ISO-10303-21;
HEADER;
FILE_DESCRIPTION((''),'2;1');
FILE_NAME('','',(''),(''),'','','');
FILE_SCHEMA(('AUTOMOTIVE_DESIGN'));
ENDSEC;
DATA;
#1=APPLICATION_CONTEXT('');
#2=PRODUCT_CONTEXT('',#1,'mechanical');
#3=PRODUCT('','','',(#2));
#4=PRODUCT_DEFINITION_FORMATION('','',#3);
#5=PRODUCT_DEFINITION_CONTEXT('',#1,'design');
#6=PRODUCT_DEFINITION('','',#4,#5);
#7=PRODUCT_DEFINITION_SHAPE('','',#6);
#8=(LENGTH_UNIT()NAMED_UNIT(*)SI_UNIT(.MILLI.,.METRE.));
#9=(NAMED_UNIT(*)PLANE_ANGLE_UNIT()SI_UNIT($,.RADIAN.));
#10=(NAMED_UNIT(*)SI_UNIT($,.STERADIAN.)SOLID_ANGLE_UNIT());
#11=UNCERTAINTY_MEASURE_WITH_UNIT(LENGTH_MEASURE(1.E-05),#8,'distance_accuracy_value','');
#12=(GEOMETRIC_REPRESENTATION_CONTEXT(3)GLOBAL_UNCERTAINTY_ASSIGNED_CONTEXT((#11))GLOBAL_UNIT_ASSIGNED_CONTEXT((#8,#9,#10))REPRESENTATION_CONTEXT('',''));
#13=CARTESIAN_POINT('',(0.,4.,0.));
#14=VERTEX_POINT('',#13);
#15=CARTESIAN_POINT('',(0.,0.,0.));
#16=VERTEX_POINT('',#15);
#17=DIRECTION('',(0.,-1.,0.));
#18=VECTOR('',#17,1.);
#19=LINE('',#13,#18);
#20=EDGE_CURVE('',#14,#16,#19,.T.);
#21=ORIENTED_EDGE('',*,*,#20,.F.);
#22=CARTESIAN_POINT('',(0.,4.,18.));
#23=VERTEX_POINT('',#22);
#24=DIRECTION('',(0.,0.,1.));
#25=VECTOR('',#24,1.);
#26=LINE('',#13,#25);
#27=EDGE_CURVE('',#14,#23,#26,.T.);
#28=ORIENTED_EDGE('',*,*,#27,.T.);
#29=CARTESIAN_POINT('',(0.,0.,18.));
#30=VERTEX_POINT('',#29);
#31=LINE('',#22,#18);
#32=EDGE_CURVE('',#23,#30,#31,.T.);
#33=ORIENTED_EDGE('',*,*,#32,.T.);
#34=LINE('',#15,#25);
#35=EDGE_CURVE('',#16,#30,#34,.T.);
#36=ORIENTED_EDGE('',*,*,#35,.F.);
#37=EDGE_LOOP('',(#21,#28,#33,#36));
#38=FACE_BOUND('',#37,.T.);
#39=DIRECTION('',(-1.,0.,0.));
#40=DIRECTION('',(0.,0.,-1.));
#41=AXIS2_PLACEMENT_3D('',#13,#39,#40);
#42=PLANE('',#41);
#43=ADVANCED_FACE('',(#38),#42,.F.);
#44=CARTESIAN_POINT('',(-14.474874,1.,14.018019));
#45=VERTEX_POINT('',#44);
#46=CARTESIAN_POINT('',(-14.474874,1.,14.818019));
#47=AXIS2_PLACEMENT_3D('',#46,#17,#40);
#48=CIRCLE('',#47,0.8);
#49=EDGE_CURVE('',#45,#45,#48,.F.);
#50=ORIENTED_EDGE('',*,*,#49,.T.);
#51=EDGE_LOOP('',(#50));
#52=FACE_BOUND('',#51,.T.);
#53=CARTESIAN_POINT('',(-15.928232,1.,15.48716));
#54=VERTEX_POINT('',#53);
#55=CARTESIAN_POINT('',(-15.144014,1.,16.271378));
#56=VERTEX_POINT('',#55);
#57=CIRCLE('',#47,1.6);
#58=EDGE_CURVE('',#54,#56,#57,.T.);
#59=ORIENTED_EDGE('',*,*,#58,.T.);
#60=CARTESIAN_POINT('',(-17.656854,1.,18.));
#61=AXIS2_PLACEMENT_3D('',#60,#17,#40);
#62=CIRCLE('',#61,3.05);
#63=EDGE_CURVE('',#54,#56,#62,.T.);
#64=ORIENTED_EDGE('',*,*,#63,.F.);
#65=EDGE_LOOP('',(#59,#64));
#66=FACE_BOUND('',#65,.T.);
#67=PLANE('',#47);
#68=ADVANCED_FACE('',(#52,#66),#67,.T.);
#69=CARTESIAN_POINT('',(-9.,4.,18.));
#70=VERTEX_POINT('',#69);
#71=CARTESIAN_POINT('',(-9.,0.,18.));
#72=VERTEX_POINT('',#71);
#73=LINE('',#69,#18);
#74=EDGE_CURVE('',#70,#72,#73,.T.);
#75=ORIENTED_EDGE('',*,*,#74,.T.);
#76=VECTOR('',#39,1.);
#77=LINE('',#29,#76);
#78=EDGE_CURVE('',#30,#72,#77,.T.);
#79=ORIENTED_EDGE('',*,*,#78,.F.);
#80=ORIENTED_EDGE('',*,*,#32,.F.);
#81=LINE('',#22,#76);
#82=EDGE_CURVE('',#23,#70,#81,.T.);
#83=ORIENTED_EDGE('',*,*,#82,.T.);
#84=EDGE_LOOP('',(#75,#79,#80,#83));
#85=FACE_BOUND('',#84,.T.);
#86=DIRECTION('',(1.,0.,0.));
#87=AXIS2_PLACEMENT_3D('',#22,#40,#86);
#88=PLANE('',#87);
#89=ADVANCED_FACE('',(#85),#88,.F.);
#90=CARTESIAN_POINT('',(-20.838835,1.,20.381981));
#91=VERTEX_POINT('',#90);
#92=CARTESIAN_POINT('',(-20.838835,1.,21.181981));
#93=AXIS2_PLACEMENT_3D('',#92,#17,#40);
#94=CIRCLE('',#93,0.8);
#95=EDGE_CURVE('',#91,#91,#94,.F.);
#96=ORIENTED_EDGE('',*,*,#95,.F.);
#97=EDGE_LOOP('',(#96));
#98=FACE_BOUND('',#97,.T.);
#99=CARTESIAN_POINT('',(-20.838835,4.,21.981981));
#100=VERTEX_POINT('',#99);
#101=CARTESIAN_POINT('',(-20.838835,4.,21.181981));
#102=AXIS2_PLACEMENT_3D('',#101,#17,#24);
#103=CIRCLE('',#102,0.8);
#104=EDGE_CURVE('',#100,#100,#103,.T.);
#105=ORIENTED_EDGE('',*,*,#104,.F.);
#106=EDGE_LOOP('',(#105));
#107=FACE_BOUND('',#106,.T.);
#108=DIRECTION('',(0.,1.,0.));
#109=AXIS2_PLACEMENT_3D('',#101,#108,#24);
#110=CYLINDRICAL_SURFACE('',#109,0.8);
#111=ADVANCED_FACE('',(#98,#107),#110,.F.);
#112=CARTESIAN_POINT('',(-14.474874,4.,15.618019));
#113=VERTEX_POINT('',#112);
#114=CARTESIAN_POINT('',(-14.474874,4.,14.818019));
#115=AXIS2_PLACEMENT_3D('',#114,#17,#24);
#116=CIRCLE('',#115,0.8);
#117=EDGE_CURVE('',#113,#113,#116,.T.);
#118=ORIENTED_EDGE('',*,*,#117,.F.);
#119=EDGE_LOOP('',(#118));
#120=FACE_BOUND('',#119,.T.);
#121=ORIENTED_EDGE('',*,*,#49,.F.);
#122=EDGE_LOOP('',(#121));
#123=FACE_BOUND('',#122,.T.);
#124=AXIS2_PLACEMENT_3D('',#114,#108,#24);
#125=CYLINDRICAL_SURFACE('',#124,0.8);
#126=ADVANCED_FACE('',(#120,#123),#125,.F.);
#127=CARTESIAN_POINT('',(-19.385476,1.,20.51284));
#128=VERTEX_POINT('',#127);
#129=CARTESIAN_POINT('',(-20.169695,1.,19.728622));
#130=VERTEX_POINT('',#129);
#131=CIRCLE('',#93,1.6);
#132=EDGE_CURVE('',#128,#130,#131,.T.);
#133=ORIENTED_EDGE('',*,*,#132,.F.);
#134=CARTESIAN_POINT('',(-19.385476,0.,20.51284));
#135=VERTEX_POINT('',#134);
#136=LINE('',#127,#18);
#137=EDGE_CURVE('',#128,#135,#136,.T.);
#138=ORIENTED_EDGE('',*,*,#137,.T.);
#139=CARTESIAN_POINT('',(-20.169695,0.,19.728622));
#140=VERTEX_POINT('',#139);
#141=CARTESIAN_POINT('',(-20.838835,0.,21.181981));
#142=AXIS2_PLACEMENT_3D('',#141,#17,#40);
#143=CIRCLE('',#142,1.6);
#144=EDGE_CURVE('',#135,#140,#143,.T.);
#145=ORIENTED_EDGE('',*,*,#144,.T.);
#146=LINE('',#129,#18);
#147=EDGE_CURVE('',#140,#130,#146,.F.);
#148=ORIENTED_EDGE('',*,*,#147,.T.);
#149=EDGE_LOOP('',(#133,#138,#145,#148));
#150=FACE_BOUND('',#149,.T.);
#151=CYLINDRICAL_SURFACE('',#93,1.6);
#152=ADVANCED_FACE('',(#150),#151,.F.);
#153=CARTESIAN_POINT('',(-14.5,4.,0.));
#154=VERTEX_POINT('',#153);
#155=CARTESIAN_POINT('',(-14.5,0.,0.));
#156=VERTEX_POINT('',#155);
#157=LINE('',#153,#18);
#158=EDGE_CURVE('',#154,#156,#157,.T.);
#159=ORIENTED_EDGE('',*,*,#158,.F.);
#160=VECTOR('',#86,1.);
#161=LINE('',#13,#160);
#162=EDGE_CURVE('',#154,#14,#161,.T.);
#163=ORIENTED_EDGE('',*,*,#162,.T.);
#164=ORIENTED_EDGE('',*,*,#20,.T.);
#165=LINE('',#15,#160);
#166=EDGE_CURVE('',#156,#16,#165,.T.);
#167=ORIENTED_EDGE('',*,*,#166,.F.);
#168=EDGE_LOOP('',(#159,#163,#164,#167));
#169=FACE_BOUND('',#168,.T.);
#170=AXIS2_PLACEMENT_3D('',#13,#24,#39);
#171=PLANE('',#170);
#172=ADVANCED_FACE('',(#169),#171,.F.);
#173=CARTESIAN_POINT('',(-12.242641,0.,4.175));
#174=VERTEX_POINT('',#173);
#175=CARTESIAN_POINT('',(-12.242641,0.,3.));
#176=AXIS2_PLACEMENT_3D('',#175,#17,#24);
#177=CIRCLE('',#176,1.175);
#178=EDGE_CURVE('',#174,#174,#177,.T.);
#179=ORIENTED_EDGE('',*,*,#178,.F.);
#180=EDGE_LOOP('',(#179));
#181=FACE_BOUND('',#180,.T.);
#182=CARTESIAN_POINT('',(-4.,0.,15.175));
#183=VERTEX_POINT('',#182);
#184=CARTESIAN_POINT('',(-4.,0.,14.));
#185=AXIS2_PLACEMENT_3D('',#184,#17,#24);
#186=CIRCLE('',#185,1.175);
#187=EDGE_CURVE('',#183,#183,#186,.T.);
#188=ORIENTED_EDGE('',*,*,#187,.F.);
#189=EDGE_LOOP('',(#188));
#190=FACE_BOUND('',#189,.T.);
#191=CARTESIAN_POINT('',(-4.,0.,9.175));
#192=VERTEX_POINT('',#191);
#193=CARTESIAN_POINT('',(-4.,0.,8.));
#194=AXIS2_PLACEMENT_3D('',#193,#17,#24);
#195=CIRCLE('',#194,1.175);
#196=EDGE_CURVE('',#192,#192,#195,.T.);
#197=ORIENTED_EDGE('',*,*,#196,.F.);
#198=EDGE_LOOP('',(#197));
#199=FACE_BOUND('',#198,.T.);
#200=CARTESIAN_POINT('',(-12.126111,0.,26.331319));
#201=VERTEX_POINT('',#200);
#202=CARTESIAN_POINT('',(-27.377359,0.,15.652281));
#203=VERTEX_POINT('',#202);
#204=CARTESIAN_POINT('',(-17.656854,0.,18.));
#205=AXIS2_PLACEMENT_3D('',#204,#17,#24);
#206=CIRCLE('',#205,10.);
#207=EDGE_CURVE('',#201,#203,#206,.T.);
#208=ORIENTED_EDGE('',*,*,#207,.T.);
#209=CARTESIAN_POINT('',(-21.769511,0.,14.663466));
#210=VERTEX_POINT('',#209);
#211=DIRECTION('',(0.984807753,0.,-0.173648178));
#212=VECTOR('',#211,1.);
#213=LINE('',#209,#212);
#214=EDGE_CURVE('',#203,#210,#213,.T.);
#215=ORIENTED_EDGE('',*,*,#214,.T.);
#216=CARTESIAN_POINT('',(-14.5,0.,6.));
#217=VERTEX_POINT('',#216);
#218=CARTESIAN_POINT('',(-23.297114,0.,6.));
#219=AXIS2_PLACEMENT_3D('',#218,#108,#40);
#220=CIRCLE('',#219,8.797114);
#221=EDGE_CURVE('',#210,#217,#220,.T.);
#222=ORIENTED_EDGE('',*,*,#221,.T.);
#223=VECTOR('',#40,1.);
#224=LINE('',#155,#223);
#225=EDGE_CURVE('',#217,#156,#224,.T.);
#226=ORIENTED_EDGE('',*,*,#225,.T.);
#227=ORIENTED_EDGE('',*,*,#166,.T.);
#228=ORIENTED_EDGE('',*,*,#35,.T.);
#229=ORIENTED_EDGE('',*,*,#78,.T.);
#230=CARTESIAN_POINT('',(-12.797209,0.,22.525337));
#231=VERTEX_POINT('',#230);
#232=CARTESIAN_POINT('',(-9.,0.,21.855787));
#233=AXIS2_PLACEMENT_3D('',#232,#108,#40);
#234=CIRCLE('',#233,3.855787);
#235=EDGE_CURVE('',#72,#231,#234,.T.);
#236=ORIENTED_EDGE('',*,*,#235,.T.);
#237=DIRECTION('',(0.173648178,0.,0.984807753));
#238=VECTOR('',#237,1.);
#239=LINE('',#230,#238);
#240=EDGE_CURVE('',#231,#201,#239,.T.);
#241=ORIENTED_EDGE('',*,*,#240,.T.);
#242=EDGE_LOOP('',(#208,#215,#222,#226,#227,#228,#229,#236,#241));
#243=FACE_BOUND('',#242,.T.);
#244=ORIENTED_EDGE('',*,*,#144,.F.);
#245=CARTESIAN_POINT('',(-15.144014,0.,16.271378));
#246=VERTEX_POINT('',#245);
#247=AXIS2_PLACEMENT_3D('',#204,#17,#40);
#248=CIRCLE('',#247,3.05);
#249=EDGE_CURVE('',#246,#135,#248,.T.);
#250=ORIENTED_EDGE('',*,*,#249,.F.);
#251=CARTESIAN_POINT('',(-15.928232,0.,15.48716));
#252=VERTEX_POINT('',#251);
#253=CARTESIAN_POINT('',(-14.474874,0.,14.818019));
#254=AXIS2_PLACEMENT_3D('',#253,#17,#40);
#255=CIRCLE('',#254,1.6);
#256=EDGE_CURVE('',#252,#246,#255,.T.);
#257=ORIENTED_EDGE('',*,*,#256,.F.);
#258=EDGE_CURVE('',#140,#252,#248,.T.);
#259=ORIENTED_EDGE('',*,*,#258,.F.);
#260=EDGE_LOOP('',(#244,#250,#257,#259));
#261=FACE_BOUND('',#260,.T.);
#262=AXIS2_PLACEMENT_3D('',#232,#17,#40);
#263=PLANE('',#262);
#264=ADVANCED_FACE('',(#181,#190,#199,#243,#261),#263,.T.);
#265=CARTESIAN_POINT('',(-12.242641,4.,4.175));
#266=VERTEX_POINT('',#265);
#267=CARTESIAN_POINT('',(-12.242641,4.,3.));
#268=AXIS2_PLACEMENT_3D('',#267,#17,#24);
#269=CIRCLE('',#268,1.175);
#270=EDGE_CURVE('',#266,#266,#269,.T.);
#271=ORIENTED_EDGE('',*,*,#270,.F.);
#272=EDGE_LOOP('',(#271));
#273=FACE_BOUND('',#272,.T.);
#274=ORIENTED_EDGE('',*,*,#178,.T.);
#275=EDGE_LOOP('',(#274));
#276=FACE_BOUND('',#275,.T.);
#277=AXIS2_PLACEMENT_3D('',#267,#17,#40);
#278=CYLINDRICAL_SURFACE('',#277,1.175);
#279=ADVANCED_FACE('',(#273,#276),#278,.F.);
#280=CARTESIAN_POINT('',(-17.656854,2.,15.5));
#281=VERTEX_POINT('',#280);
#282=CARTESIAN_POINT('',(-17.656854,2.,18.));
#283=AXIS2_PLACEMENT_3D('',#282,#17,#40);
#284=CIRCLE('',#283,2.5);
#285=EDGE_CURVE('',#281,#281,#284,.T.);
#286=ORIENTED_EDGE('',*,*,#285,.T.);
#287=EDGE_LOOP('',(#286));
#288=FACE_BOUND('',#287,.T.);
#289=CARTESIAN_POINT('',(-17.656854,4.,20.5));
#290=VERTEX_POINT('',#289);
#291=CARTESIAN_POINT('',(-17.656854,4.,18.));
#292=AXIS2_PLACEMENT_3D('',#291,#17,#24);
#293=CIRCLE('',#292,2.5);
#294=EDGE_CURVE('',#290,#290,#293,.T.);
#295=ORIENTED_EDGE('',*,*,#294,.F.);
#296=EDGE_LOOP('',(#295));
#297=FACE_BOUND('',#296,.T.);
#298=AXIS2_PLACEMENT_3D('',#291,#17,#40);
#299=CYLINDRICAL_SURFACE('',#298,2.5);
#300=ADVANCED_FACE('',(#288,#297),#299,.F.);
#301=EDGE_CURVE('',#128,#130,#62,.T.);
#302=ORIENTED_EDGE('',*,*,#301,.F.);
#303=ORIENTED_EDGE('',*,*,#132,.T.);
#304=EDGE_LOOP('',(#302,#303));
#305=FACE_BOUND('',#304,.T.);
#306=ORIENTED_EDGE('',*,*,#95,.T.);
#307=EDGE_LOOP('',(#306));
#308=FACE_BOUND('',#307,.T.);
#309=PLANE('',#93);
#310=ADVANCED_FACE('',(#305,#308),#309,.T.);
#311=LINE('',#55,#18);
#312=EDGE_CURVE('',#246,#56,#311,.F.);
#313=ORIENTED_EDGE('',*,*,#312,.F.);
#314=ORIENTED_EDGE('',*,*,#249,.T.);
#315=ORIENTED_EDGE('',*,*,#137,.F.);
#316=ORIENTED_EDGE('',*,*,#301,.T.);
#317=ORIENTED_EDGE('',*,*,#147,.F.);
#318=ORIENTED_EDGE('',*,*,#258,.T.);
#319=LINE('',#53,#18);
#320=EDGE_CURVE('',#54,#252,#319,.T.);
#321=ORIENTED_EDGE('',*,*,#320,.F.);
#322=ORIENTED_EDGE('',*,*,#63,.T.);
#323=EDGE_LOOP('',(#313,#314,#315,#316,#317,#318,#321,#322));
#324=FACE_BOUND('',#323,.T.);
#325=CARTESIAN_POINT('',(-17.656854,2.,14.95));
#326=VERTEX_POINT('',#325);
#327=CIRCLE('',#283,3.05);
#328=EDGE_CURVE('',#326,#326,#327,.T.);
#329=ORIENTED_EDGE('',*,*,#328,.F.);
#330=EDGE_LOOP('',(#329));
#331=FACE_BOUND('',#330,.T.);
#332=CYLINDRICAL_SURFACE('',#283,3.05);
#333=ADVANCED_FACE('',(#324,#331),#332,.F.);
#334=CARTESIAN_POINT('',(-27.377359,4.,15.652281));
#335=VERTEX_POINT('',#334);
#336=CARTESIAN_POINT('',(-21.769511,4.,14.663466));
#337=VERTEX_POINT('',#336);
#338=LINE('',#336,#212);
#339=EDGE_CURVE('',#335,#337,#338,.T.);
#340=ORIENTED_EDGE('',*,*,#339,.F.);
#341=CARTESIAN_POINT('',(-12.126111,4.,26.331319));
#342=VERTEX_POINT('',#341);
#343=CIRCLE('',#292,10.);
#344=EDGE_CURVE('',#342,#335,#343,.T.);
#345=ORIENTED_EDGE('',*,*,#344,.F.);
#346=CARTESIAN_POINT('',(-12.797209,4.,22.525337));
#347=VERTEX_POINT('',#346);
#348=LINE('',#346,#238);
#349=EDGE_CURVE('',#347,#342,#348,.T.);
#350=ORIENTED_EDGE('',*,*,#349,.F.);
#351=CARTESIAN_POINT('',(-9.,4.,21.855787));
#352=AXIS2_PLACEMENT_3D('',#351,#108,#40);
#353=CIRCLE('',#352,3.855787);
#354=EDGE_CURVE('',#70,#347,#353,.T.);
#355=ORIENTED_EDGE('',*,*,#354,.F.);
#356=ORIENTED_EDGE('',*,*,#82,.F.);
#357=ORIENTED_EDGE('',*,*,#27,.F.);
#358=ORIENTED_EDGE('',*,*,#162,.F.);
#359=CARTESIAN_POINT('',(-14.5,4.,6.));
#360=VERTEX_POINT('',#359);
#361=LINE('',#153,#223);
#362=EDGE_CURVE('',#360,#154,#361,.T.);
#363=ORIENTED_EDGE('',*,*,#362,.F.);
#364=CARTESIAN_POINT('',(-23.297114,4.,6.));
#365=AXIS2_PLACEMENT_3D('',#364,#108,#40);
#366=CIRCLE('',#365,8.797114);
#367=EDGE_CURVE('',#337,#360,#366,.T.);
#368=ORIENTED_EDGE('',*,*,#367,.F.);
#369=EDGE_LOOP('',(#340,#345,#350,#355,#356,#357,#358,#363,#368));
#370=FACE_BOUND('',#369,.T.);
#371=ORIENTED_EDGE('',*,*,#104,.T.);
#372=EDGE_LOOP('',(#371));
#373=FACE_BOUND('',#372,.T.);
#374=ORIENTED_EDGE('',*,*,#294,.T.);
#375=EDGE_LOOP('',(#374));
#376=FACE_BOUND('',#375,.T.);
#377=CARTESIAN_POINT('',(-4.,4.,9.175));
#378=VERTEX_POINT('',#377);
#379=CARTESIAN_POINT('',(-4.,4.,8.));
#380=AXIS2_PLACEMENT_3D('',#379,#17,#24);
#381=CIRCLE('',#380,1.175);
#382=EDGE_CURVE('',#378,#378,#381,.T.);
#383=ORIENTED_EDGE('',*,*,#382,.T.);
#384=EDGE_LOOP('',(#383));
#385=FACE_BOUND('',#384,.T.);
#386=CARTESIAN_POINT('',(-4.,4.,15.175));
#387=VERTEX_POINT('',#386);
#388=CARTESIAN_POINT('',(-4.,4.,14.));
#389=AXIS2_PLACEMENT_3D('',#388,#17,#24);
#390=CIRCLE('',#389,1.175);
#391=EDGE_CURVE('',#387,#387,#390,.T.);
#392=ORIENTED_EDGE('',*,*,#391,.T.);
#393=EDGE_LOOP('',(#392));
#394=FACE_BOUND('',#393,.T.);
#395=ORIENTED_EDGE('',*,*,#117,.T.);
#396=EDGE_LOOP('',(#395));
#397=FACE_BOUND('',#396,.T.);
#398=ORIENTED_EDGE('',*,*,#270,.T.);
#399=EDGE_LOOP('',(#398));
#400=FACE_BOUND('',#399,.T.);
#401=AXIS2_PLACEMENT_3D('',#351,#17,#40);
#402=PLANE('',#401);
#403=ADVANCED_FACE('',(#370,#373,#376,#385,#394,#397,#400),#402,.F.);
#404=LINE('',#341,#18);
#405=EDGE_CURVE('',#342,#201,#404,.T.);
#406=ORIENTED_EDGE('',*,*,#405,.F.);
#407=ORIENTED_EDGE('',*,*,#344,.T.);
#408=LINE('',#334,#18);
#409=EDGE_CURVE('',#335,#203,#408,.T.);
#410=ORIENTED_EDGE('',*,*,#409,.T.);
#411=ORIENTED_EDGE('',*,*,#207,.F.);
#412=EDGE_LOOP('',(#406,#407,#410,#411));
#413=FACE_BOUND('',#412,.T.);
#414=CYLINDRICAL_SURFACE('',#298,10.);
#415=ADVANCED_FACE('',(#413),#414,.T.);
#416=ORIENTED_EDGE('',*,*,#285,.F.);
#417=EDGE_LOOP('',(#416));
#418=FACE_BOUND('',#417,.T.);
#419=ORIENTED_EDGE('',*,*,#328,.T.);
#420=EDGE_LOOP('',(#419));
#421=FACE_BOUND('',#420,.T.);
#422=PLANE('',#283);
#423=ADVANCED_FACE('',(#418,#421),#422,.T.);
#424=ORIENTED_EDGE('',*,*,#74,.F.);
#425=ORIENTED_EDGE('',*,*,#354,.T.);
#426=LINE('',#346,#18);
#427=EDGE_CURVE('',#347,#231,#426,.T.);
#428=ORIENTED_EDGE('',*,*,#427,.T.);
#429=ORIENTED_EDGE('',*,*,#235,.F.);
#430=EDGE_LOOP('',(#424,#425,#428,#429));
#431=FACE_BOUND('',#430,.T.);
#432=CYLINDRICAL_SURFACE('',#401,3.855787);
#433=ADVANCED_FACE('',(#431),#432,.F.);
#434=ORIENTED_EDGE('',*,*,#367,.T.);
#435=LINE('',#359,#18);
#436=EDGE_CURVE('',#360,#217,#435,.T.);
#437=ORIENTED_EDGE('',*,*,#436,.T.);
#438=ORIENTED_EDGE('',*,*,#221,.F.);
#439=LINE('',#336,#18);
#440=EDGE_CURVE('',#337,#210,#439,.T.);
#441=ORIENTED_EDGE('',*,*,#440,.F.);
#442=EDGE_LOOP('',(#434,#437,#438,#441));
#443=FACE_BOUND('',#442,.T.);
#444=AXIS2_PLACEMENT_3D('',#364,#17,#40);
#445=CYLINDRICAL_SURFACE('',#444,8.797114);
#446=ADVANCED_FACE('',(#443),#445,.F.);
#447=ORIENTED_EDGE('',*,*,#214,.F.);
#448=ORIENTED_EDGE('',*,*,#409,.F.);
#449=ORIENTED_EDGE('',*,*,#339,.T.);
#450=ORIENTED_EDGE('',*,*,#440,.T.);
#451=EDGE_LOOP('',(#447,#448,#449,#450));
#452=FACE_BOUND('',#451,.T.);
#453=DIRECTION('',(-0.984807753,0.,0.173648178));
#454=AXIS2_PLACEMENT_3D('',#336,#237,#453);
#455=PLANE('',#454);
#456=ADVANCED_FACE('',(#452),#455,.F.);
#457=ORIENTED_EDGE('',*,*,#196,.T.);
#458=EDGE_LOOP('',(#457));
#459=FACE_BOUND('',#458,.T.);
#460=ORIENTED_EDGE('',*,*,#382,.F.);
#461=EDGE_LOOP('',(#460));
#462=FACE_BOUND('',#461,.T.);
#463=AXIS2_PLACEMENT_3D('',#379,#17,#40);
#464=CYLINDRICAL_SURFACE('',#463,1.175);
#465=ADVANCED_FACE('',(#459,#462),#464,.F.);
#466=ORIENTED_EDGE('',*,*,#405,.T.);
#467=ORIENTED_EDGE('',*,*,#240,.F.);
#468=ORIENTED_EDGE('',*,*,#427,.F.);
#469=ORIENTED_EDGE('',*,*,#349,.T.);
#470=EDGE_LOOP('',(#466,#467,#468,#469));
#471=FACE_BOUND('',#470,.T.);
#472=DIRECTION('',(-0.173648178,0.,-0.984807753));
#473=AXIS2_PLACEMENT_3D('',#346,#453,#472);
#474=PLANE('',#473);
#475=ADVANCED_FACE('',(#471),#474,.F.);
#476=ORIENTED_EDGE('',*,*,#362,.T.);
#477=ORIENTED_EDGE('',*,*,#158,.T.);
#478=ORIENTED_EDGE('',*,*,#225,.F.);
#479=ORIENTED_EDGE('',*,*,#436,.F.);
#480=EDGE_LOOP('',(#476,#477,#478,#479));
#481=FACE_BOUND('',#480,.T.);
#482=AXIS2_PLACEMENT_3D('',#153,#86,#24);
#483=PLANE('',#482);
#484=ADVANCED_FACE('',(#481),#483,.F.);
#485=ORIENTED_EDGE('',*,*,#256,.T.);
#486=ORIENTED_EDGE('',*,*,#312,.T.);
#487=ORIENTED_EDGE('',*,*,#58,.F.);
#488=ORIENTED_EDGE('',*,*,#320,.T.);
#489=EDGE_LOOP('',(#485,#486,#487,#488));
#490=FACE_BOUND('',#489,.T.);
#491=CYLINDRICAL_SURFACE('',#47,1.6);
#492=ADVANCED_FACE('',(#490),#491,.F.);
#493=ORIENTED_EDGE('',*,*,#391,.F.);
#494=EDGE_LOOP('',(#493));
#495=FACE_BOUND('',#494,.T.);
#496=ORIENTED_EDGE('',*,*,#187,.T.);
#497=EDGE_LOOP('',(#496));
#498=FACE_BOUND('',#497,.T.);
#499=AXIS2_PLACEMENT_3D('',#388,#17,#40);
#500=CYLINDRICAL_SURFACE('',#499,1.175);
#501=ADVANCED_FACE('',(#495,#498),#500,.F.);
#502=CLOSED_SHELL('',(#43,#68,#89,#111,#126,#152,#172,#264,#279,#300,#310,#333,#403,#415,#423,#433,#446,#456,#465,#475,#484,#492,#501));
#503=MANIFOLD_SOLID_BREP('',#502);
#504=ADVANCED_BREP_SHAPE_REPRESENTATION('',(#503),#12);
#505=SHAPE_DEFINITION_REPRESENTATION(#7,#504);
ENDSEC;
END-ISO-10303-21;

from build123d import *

# Parameters (mm, degrees)
SKETCH_3_R              = 1.175
SKETCH_3_R_2            = 2.5
EXTRUDE_2_DEPTH         = 4
HOLE_WIZARD_1_6_1_6_1_D = 1.6
SKETCH_11_R             = 1.6
CUT_EXTRUDE_1_DEPTH     = 1
SKETCH_12_R             = 3.05
CUT_EXTRUDE_2_DEPTH     = 2


with BuildPart() as part:
    # 草图3 → 凸台-拉伸2 (new body)
    with BuildSketch(Plane(origin=(0, 0, 0), x_dir=(1, 0, 0), z_dir=(0, 1, 0))):
        with BuildLine():
            Line((0, 0), (14.5, 0))
            Line((14.5, 0), (14.5, -6))
            ThreePointArc((14.5, -6), (16.558133666, -11.654675774), (21.769511049, -14.663465909))
            Line((21.769511049, -14.663465909), (27.377359106, -15.652280825))
            ThreePointArc((27.377359106, -15.652280825), (23.392618613, -26.191520443), (12.126111401, -26.331319436))
            Line((12.126111401, -26.331319436), (12.79720876, -22.525337182))
            ThreePointArc((12.79720876, -22.525337182), (11.953704072, -19.377334829), (9, -18))
            Line((9, -18), (0, -18))
            Line((0, -18), (0, 0))
        make_face()
        with Locations(Location((4, -14, 0), (0, 0, 270))):
            Circle(SKETCH_3_R, mode=Mode.SUBTRACT)
        with Locations(Location((4, -8, 0), (0, 0, 270))):
            Circle(SKETCH_3_R, mode=Mode.SUBTRACT)
        with Locations(Location((12.242640687, -3, 0), (0, 0, 270))):
            Circle(SKETCH_3_R, mode=Mode.SUBTRACT)
        with Locations(Location((17.656854249, -18, 0), (0, 0, 270))):
            Circle(SKETCH_3_R_2, mode=Mode.SUBTRACT)
    extrude(amount=EXTRUDE_2_DEPTH)

    # Ø1.6 (1.6) 直径孔1 (through all)
    with Locations(Plane(origin=(0, 4, 0), x_dir=(1, 0, 0), z_dir=(0, 1, 0))):
        with Locations((20.838834765, -21.181980515), (14.474873734, -14.818019485)):
            Hole(HOLE_WIZARD_1_6_1_6_1_D / 2)


with BuildPart() as body_2:
    # 镜向1: mirrored copy
    add(part.part.mirror(Plane(origin=(0, 4, 0), x_dir=(0, 0, 1), z_dir=(1, 0, 0))))

    # 草图11 → 切除-拉伸1 (cut)
    with BuildSketch(Plane(origin=(0, 0, 0), x_dir=(-1, 0, 0), z_dir=(0, -1, 0))):
        with Locations(Location((14.474873734, -14.818019485, 0), (0, 0, 90))):
            Circle(SKETCH_11_R)
        with Locations(Location((20.838834765, -21.181980515, 0), (0, 0, 90))):
            Circle(SKETCH_11_R)
    extrude(amount=-CUT_EXTRUDE_1_DEPTH, mode=Mode.SUBTRACT)

    # 草图12 → 切除-拉伸2 (cut)
    with BuildSketch(Plane(origin=(0, 0, 0), x_dir=(-1, 0, 0), z_dir=(0, -1, 0))):
        with Locations(Location((17.656854249, -18, 0), (0, 0, 90))):
            Circle(SKETCH_12_R)
    extrude(amount=-CUT_EXTRUDE_2_DEPTH, mode=Mode.SUBTRACT)


solid = body_2.part
